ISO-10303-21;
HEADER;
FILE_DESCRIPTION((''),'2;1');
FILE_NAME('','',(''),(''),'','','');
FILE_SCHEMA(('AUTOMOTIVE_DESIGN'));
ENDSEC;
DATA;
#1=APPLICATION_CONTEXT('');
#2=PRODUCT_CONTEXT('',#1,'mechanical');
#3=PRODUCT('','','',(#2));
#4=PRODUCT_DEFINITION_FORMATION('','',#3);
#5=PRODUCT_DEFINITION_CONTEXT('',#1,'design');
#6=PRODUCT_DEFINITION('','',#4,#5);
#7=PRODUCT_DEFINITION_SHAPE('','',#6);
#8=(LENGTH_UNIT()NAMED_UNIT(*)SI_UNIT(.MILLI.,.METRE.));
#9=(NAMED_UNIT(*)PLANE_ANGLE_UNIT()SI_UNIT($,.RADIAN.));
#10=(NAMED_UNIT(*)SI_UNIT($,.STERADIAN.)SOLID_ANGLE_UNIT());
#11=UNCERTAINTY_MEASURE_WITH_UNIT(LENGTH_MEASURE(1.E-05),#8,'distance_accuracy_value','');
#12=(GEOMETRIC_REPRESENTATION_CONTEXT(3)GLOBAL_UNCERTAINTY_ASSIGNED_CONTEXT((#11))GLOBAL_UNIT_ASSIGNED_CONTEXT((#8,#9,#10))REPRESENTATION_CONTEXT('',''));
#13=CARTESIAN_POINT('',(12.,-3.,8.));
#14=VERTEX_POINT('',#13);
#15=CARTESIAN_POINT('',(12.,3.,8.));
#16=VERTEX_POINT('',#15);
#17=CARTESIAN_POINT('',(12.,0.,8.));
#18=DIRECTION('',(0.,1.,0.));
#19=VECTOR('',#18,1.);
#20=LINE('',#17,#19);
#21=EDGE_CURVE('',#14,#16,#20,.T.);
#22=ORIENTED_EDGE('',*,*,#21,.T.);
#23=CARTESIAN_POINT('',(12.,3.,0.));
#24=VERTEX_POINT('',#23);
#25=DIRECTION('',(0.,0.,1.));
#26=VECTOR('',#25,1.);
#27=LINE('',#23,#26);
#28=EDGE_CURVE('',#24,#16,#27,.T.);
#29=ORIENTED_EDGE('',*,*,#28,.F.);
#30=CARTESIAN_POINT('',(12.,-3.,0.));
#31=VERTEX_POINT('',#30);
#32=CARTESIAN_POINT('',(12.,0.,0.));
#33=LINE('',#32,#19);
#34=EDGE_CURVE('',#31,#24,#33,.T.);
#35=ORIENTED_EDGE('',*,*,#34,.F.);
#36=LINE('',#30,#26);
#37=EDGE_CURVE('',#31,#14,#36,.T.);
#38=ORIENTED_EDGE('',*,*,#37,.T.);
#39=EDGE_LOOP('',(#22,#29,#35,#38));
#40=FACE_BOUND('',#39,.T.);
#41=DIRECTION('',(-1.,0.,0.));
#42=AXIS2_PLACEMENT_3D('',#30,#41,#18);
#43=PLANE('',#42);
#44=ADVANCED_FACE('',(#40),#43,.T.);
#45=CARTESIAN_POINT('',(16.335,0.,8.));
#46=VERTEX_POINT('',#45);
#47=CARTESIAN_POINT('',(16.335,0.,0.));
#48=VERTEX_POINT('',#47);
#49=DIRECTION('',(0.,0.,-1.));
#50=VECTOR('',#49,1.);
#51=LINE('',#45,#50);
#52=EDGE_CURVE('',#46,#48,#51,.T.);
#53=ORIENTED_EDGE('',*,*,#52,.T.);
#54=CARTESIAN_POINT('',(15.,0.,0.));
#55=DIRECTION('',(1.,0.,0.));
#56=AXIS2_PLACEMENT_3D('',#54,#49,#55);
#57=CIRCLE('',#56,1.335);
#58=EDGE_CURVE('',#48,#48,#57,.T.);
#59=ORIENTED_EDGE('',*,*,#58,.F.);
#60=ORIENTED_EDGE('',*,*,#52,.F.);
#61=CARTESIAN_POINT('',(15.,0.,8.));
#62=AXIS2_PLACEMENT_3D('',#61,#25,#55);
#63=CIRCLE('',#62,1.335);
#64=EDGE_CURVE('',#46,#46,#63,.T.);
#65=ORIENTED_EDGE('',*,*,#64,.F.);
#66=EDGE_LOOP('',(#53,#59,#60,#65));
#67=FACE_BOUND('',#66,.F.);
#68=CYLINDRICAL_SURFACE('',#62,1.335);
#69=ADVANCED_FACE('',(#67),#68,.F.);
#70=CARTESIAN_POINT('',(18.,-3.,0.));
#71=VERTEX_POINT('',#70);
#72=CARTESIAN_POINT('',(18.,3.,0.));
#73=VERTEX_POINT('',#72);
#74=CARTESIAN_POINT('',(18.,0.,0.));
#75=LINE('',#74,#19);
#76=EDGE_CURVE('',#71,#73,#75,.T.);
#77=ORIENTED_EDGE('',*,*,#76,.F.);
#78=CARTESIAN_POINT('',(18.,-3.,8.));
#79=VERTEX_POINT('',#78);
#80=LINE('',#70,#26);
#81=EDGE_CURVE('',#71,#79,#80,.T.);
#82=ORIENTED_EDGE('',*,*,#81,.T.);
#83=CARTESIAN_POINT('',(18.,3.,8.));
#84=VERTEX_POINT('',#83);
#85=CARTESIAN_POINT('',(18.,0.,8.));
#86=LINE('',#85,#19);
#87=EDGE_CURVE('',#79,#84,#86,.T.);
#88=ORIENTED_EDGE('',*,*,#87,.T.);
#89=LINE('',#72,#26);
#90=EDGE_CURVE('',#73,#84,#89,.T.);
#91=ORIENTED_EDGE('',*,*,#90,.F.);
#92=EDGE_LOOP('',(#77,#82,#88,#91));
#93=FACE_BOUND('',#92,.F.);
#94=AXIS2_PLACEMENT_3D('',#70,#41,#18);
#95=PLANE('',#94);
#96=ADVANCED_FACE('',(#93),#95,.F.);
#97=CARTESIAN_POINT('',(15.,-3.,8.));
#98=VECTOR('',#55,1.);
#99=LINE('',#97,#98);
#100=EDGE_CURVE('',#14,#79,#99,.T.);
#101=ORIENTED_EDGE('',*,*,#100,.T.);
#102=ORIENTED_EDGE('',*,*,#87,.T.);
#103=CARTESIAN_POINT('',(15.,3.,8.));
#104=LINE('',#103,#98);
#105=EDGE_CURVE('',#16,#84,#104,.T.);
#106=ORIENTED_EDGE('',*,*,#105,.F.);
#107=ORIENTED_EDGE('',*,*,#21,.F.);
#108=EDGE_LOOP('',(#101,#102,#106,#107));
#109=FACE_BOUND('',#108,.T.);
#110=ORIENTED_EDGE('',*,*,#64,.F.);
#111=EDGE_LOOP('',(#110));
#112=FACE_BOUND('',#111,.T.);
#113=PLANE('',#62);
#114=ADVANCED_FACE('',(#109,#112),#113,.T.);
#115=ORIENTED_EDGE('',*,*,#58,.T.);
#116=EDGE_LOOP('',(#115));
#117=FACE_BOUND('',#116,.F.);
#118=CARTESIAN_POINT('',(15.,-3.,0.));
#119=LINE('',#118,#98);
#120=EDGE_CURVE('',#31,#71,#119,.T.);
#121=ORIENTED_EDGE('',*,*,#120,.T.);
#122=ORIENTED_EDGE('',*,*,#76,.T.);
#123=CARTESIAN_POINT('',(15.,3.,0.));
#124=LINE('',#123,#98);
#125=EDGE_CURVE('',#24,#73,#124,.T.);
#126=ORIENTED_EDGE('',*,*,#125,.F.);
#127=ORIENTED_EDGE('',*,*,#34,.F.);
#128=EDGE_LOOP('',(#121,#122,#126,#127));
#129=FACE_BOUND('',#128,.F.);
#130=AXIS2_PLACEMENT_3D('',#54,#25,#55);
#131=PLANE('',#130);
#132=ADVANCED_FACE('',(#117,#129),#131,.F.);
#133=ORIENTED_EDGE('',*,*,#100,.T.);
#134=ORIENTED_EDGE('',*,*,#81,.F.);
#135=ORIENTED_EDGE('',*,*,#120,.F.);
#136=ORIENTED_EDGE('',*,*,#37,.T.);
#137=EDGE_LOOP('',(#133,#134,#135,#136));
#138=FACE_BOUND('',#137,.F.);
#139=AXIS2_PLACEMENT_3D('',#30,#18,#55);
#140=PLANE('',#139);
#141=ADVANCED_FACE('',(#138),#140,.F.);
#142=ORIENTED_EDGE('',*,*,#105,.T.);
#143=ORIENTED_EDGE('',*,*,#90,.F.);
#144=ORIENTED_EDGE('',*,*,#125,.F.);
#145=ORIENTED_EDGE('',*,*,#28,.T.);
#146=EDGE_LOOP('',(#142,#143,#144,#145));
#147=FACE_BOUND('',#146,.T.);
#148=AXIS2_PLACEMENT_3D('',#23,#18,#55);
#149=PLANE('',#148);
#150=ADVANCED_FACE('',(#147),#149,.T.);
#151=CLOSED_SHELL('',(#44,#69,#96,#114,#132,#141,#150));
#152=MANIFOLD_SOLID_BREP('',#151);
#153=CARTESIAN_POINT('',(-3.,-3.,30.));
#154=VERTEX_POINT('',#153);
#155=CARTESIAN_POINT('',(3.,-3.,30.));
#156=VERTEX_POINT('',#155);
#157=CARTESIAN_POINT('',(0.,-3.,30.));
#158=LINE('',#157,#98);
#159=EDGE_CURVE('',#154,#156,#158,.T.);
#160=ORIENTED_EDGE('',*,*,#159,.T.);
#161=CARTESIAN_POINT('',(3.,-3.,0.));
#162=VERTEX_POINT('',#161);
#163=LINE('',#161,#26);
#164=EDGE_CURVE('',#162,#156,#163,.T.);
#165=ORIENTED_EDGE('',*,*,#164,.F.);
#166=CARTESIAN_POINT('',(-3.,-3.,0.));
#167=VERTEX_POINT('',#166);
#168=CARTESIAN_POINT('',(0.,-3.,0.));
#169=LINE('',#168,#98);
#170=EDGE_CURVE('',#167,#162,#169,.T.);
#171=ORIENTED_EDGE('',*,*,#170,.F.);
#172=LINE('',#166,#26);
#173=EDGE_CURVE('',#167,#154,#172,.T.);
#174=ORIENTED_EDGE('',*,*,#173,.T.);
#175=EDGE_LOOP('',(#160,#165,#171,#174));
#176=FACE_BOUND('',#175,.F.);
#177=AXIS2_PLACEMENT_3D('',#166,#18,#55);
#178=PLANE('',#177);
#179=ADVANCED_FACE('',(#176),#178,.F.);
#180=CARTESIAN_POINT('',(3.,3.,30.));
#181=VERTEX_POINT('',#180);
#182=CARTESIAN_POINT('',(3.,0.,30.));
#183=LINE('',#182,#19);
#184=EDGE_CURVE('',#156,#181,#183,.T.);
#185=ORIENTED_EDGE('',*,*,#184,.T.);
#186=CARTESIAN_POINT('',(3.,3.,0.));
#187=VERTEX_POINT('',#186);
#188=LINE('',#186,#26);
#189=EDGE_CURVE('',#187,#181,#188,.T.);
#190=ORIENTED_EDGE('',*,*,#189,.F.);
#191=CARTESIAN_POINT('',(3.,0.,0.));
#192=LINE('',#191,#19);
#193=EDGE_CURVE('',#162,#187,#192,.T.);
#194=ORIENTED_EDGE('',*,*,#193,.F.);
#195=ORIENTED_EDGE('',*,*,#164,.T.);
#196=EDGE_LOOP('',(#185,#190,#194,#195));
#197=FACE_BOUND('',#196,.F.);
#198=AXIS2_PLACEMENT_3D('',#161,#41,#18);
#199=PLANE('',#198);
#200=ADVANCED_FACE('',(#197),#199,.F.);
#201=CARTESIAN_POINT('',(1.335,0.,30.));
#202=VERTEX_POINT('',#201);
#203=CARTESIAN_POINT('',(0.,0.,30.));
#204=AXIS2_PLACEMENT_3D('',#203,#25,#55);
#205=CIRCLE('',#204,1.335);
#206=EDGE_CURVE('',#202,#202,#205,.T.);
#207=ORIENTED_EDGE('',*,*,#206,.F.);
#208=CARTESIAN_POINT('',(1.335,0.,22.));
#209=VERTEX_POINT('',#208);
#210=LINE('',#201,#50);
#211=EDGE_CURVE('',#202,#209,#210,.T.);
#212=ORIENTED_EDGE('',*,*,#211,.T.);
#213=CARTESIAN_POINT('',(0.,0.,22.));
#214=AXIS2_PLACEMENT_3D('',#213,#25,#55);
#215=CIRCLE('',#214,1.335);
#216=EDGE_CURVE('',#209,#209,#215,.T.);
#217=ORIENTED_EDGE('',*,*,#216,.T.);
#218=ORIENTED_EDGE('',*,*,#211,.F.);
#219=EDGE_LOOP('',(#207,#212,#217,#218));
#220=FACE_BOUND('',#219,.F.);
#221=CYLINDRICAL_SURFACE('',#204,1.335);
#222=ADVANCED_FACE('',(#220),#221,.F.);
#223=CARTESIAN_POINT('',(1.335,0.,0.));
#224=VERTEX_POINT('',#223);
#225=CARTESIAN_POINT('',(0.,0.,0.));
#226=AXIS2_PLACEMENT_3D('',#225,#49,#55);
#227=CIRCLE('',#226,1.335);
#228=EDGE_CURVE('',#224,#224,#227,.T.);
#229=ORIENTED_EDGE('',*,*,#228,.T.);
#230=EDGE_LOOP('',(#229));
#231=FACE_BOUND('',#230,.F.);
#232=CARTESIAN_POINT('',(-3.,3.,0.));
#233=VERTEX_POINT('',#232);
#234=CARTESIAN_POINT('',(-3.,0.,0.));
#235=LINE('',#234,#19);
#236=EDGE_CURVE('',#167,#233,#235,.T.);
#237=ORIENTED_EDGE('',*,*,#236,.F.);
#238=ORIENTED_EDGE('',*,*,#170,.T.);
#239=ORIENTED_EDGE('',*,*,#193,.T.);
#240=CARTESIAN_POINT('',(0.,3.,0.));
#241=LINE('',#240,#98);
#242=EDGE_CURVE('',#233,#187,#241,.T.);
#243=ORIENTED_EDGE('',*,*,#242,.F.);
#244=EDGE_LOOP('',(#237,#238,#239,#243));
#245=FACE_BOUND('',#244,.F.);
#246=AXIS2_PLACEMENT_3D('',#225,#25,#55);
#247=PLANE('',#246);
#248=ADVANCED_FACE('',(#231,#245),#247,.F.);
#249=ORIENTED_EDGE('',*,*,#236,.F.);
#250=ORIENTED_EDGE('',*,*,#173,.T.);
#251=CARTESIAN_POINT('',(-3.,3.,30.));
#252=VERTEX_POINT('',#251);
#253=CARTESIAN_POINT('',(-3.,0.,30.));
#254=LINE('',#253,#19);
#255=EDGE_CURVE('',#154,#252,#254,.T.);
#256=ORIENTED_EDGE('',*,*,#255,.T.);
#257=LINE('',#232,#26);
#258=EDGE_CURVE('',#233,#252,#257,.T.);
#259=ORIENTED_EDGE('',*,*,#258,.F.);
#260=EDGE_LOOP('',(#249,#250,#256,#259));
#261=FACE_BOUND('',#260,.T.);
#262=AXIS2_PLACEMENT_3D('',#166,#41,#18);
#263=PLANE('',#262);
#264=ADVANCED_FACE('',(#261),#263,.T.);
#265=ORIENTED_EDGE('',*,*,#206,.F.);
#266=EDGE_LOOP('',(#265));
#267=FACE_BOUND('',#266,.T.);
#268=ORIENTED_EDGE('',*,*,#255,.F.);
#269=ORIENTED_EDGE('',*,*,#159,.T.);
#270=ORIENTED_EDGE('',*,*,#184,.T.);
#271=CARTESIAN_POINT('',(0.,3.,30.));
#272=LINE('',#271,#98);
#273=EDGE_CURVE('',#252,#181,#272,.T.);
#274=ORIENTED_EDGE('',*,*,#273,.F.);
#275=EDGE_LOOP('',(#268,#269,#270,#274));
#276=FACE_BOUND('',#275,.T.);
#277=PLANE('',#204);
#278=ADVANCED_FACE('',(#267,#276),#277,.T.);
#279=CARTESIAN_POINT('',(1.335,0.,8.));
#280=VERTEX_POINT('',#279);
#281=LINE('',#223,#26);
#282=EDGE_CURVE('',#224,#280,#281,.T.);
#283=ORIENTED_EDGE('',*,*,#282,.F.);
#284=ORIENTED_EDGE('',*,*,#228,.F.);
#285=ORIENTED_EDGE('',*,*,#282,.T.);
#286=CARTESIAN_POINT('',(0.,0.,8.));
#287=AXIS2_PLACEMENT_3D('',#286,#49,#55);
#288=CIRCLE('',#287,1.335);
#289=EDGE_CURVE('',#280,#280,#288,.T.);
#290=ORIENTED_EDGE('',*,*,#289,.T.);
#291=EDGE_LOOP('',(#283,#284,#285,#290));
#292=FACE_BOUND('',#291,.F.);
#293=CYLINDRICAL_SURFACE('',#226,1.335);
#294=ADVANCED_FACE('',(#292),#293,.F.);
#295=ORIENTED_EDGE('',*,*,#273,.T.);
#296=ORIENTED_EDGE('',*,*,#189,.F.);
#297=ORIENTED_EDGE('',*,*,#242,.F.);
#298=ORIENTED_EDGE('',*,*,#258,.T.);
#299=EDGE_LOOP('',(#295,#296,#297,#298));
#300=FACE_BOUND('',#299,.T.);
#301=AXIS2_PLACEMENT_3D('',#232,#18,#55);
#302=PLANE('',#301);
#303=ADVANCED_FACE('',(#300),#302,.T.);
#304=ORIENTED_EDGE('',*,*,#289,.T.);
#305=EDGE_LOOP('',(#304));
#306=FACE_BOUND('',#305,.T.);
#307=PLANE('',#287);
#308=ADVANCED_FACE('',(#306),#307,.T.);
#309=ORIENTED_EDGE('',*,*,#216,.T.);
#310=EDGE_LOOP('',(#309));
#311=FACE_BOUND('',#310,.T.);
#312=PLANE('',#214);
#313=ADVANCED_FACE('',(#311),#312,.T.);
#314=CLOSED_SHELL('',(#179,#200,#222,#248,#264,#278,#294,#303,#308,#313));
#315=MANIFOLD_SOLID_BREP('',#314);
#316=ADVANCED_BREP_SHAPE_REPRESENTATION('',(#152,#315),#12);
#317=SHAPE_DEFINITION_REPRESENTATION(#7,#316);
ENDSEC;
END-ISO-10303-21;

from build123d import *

# Parameters (mm, degrees)
F0_W     = 6
F0_H     = 6
F1_DEPTH = 30
F2_R     = 1.335
F3_DEPTH = 8
F4_R     = 1.335
F5_DEPTH = 8
F6_DEPTH = 8
F7_R     = 1.335
F8_R     = 1.335
F9_DEPTH = 8.001


with BuildPart() as f1:
    # F0 (on Top) → F1 (new body)
    with BuildSketch(Plane.XY):
        Rectangle(F0_W, F0_H)
    extrude(amount=F1_DEPTH)

    # F2 (on face) → F3 (cut)
    with BuildSketch(Plane.XY.offset(30)):
        Circle(F2_R)
    extrude(amount=-F3_DEPTH, mode=Mode.SUBTRACT)

    # F4 (on face) → F5 (cut)
    with BuildSketch(Plane(origin=(0, 0, 0), x_dir=(1, 0, 0), z_dir=(0, 0, -1))):
        Circle(F4_R)
    extrude(amount=-F5_DEPTH, mode=Mode.SUBTRACT)


with BuildPart() as f6:
    # F0 (on Top) → F6 (new body)
    with BuildSketch(Plane.XY):
        with Locations((15, 0)):
            Rectangle(F0_W, F0_H)
    extrude(amount=F6_DEPTH)

    # F7 (on face) + F8 (on face) → F9 (cut, through all)
    with BuildSketch(Plane.XY.offset(8)):
        with Locations((15, 0)):
            Circle(F7_R)
    with BuildSketch(Plane(origin=(0, 0, 0), x_dir=(1, 0, 0), z_dir=(0, 0, -1))):
        with Locations((15, 0)):
            Circle(F8_R)
    extrude(amount=-F9_DEPTH, mode=Mode.SUBTRACT)


solid = Compound([f1.part, f6.part])
